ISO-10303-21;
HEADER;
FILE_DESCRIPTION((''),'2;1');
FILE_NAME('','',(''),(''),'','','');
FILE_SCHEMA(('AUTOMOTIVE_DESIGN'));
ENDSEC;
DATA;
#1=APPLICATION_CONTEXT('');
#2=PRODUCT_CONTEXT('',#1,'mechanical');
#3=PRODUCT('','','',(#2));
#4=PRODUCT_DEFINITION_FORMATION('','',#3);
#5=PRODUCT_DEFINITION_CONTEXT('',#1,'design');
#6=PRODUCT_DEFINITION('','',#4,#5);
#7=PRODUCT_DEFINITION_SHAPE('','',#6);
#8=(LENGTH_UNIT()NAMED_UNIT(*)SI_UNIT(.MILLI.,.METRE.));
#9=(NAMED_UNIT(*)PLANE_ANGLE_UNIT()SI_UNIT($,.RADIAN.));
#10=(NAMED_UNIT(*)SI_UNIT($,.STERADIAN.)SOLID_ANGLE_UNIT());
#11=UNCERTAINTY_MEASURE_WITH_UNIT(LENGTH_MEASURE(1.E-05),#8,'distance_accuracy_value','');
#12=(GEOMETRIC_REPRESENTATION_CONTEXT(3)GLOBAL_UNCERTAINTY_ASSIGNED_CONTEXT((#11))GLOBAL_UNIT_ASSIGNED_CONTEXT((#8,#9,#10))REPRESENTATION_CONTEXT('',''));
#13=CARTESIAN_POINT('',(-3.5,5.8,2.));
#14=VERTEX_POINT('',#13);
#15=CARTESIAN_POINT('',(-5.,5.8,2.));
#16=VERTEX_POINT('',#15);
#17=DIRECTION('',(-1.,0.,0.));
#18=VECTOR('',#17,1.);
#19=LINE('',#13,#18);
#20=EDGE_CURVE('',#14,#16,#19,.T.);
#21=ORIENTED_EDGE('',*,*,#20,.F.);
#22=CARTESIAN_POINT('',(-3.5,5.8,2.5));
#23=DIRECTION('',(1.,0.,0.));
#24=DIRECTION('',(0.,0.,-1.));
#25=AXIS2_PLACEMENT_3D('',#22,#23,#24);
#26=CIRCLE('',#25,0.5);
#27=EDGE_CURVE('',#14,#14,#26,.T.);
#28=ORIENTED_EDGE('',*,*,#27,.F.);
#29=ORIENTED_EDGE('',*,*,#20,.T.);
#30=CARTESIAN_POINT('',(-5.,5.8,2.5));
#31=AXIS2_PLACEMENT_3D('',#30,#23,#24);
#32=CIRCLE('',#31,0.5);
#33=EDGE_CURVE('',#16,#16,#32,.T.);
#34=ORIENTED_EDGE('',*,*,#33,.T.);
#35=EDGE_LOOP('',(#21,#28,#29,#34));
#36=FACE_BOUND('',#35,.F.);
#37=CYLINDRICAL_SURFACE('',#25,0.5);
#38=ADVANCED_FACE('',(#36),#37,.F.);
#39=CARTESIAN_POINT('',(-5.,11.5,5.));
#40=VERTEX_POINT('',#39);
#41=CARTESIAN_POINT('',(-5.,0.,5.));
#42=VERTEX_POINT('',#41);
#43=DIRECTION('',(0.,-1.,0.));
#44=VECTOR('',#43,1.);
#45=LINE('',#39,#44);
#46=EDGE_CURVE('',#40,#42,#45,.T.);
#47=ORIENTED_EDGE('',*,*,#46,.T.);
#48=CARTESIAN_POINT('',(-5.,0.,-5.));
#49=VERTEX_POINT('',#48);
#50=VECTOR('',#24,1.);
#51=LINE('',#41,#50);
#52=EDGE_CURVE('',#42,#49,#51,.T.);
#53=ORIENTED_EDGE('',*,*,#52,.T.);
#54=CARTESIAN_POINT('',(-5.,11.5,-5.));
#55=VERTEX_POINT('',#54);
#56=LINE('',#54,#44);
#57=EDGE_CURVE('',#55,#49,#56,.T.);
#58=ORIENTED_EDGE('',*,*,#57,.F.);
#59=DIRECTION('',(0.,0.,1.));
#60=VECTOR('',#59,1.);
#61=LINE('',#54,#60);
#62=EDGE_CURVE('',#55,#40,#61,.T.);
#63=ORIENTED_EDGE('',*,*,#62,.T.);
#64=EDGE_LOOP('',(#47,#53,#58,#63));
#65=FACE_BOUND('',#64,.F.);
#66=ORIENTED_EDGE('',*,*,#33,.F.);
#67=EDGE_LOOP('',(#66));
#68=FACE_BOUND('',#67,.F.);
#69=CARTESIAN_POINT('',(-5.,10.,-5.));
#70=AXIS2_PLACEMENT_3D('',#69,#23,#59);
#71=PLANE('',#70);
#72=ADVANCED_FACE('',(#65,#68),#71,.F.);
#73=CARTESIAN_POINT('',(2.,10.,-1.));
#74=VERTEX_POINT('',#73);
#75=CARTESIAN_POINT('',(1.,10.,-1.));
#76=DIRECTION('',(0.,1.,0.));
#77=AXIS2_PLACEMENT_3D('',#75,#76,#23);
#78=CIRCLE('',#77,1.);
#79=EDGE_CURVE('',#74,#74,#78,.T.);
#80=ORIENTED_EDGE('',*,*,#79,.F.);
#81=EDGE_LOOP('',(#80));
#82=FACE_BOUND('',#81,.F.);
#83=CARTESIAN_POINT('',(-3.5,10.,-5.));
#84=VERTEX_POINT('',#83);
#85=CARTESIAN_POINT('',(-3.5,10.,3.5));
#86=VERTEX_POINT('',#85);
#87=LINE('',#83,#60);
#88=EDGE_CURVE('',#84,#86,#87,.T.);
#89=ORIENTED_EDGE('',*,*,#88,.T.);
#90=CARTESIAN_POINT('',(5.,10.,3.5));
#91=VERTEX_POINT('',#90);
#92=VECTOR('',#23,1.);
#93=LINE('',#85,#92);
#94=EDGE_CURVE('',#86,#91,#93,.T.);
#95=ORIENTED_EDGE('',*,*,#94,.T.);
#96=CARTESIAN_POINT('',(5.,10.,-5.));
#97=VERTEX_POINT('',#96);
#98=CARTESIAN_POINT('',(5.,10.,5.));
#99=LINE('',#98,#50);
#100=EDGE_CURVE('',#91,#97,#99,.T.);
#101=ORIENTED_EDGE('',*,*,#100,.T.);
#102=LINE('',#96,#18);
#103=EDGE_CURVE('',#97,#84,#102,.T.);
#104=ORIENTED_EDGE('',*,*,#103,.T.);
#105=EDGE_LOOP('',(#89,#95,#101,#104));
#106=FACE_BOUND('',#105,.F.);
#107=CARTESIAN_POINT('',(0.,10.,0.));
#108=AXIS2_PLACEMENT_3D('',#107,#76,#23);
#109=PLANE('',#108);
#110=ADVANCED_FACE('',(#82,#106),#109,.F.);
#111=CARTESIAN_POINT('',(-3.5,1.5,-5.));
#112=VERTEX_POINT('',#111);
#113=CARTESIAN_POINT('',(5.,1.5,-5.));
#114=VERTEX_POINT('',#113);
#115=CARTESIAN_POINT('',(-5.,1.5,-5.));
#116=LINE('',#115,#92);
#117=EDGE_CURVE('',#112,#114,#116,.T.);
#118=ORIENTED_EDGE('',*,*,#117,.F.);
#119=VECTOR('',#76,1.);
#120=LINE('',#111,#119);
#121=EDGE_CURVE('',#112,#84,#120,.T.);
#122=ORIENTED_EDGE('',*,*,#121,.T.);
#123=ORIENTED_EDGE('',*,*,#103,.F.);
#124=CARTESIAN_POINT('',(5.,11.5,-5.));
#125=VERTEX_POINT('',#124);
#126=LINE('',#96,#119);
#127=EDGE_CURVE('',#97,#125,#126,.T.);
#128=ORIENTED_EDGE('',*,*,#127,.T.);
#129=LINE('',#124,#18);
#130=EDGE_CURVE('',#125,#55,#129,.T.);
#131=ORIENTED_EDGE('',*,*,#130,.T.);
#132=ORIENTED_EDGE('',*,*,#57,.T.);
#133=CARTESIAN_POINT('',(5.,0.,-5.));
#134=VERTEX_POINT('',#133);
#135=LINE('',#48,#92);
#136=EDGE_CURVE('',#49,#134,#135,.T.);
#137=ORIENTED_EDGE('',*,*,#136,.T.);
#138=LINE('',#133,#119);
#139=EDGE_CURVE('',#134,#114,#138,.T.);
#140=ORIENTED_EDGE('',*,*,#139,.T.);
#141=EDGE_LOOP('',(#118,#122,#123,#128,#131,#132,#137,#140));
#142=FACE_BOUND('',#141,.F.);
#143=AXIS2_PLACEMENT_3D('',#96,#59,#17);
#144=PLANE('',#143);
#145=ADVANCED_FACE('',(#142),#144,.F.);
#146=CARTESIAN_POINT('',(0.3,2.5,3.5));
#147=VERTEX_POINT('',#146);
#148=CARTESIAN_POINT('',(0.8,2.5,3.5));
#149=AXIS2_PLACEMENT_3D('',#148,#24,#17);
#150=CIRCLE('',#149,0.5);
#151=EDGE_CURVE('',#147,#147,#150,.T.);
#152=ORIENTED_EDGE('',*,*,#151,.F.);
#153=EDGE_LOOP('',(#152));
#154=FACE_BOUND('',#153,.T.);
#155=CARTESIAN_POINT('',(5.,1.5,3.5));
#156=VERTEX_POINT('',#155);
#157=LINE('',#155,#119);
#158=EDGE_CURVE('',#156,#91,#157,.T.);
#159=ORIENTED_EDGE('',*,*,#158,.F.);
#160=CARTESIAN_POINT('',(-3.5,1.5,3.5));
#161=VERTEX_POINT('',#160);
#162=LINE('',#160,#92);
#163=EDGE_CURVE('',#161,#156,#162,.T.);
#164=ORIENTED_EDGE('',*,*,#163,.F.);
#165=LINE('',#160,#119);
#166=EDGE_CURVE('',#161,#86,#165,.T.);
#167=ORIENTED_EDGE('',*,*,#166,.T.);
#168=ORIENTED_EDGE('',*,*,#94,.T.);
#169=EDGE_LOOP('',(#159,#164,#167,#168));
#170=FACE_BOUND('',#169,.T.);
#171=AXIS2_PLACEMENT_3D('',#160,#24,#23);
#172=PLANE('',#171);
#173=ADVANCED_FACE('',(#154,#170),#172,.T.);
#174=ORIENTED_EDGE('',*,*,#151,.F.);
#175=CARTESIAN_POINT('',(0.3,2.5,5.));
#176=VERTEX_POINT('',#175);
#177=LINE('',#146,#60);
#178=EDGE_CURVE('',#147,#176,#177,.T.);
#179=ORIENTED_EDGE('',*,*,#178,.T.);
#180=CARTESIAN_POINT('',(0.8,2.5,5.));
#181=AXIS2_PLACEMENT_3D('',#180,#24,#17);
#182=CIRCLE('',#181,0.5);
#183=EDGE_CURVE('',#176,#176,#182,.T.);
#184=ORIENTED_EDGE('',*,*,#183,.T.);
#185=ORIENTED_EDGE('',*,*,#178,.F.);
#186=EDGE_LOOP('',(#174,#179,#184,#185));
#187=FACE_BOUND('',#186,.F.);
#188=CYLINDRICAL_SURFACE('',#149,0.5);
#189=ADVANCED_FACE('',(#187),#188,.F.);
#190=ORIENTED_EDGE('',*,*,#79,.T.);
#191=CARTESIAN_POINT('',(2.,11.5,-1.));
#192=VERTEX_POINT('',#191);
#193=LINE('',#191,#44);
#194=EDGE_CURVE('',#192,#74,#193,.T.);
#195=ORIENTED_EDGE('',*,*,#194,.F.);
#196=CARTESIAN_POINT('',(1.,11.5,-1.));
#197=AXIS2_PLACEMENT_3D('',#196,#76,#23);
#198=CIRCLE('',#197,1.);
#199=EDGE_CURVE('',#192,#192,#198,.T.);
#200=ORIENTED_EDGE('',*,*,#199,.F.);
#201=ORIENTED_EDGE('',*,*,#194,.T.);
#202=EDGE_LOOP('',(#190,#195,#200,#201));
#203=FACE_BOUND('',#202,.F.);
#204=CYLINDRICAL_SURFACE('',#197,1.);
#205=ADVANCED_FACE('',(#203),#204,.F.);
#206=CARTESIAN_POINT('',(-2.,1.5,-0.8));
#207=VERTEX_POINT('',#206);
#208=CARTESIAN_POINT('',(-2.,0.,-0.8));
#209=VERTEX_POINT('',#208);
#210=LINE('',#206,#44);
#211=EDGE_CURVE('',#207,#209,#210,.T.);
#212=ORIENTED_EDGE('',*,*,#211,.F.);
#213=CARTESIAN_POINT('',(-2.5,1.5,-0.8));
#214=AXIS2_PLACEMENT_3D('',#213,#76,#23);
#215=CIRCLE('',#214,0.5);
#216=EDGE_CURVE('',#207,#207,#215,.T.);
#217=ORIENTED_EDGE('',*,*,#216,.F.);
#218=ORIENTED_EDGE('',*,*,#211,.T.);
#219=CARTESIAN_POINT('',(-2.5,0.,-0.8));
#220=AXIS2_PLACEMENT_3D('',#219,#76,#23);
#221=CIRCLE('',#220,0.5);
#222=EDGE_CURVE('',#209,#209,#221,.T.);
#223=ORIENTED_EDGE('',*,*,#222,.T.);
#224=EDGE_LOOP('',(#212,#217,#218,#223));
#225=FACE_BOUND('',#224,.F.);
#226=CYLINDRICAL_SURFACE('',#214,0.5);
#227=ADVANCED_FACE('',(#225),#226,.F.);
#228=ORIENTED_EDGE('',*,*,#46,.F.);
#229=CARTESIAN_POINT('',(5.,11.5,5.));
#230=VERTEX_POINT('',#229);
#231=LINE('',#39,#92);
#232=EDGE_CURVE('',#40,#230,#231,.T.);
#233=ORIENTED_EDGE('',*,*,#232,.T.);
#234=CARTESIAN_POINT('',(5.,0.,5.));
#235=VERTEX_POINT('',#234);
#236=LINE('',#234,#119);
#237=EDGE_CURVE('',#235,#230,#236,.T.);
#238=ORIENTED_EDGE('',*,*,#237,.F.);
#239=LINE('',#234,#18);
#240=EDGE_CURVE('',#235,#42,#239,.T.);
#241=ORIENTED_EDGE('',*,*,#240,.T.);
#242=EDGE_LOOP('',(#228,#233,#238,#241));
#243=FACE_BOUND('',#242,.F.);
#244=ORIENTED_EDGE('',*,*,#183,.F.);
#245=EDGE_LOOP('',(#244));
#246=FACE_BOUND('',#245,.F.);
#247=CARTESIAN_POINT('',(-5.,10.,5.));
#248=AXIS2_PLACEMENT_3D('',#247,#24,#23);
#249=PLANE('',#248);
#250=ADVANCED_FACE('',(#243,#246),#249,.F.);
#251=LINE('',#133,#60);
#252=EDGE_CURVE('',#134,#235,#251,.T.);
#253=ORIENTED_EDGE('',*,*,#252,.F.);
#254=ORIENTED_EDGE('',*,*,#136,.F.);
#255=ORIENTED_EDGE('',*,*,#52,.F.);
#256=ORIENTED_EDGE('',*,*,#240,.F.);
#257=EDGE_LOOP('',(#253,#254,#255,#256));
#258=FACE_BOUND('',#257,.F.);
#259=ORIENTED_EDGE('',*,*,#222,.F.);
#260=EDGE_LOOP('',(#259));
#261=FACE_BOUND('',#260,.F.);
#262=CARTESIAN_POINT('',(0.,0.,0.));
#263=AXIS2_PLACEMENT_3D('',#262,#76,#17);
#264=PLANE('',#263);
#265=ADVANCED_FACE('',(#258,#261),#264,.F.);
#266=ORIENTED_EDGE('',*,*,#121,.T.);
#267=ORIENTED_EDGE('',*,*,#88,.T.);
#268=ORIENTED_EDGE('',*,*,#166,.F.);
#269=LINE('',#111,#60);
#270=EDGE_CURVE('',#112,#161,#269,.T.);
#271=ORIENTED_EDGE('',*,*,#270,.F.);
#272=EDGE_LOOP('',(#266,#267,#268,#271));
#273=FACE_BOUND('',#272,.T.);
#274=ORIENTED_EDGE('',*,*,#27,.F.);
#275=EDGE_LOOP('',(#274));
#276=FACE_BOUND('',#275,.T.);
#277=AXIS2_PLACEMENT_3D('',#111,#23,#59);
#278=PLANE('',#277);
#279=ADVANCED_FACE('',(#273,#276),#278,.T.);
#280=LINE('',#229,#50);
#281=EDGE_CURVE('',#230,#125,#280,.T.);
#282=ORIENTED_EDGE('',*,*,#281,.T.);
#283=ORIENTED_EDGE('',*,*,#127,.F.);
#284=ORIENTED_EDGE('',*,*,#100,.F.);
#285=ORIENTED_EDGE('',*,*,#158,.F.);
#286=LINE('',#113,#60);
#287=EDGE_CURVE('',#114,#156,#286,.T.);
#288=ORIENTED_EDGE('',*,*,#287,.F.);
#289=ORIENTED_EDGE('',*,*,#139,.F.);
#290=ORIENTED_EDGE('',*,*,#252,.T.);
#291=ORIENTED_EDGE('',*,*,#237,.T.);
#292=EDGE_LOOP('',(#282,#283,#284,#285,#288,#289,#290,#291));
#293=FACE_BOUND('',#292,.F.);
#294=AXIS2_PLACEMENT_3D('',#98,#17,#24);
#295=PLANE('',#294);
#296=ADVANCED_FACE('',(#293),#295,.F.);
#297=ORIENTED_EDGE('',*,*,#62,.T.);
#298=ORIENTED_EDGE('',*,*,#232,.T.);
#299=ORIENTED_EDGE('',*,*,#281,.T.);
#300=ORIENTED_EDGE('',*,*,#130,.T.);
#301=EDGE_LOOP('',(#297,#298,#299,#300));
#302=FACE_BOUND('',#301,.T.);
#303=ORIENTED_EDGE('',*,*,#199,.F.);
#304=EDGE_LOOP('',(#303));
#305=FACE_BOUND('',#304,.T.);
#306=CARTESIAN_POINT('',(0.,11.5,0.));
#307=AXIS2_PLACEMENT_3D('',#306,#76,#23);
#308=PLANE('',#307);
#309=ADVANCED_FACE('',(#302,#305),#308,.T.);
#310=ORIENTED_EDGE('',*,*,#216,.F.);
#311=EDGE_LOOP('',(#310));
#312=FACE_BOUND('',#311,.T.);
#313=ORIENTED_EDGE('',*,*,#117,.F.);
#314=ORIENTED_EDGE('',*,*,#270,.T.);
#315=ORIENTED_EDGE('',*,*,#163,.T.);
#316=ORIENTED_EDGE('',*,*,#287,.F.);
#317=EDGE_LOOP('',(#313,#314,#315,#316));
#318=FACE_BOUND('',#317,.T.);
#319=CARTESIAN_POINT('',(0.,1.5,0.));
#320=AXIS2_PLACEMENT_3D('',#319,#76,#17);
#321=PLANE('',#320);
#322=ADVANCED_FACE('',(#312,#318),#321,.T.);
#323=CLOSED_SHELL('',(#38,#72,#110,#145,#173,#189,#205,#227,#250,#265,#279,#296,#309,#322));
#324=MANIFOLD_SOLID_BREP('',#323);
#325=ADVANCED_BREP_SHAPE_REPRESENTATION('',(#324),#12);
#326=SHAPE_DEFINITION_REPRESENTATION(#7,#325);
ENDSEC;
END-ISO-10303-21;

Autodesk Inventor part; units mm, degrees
ref_plane "YZ Plane" through (0, 0, 0) normal (1, 0, 0) x (0, 1, 0)
ref_plane "XZ Plane" through (0, 0, 0) normal (0, 1, 0) x (-1, 0, 0)
ref_plane "XY Plane" through (0, 0, 0) normal (0, 0, 1) x (1, 0, 0)
sketch "Sketch1" plane through (0, 0, 0) normal (0, 1, 0) x (-1, 0, 0)
  line L0 (-5, 5) -> (5, 5)
  line L1 (5, 5) -> (5, -5)
  line L2 (5, -5) -> (-5, -5)
  line L3 (-5, -5) -> (-5, 5)
  line L4 (-5, 5) -> (5, -5) construction
  line L5 (5, 5) -> (-5, -5) construction
  point P0 (0, 0)
  dimension "d0" = 10
  dimension "d1" = 10
extrude "Extrusion1" add sketch "Sketch1" along normal blind 1.5
sketch "Sketch3" plane through (0, 1.5, 0) normal (0, 1, 0) x (1, 0, 0)
  line L0 (-5, -5) -> (-5, 5)
  line L1 (-5, 5) -> (-3.5, 5)
  line L2 (5, 5) -> (-5, 5) projected
  line L3 (-3.5, 5) -> (-3.5, -3.5)
  line L4 (-3.5, -3.5) -> (5, -3.5)
  line L5 (5, -3.5) -> (5, -5)
  line L6 (5, -5) -> (-5, -5)
  point P0 (0, 0)
  dimension "d7" = 1.5
  dimension "d8" = 8.5
  dimension "d9" = 90
extrude "Extrusion2" add sketch "Sketch3" along normal blind 8.5
sketch "Sketch5" plane through (0, 1.5, 0) normal (0, 1, 0) x (1, 0, 0)
  circle A0 centre (-2.5, 0.8) radius 0.5
  line L0 (-3.5, 5) -> (-3.5, -3.5) projected
  line L1 (-3.5, -3.5) -> (5, -3.5) projected
  point P0 (0, 0)
  dimension "d14" = 1
  dimension "d15" = 1
  dimension "d16" = 4.3
extrude "Extrusion4" cut sketch "Sketch5" against normal blind 8.5
sketch "Sketch6" plane through (-3.5, 1.5, 3.5) normal (1, 0, 0) x (0, 0, -1)
  circle A0 centre (1, 4.3) radius 0.5
  line L0 (8.5, 0) -> (0, 0) projected
  line L1 (0, 0) -> (0, 8.5) projected
  point P0 (3.5, -1.5)
  point P1 (0, 7)
  dimension "d19" = 1
  dimension "d20" = 4.3
  dimension "d21" = 1
extrude "Extrusion5" cut sketch "Sketch6" against normal blind 8.5
sketch "Sketch7" plane through (5, 1.5, 3.5) normal (0, 0, -1) x (-1, 0, 0)
  circle A0 centre (4.2, 1) radius 0.5
  line L0 (8.5, 0) -> (0, 0) projected
  line L1 (8.5, 0) -> (8.5, 8.5) projected
  point P0 (5, -1.5)
  dimension "d24" = 1
  dimension "d25" = 1
  dimension "d26" = 4.3
extrude "Extrusion6" cut sketch "Sketch7" against normal blind 8.5
sketch "Sketch8" plane through (0, 10, 0) normal (0, 1, 0) x (1, 0, 0)
  line L0 (5, -5) -> (5, 5)
  line L1 (5, 5) -> (-5, 5)
  line L2 (-5, 5) -> (-5, -5)
  line L3 (-5, -5) -> (5, -5)
  point P0 (0, 0)
extrude "Extrusion7" add sketch "Sketch8" along normal blind 1.5
sketch "Sketch9" plane through (0, 11.5, 0) normal (0, 1, 0) x (1, 0, 0)
  circle A0 centre (1, 1) radius 1
  line L0 (-5, 5) -> (-5, -5) projected
  line L1 (-5, -5) -> (5, -5) projected
  point P0 (0, 0)
  dimension "d31" = 2
  dimension "d32" = 6
  dimension "d33" = 6
extrude "Extrusion8" cut sketch "Sketch9" against normal blind 1.5
properties part number "Corner"
